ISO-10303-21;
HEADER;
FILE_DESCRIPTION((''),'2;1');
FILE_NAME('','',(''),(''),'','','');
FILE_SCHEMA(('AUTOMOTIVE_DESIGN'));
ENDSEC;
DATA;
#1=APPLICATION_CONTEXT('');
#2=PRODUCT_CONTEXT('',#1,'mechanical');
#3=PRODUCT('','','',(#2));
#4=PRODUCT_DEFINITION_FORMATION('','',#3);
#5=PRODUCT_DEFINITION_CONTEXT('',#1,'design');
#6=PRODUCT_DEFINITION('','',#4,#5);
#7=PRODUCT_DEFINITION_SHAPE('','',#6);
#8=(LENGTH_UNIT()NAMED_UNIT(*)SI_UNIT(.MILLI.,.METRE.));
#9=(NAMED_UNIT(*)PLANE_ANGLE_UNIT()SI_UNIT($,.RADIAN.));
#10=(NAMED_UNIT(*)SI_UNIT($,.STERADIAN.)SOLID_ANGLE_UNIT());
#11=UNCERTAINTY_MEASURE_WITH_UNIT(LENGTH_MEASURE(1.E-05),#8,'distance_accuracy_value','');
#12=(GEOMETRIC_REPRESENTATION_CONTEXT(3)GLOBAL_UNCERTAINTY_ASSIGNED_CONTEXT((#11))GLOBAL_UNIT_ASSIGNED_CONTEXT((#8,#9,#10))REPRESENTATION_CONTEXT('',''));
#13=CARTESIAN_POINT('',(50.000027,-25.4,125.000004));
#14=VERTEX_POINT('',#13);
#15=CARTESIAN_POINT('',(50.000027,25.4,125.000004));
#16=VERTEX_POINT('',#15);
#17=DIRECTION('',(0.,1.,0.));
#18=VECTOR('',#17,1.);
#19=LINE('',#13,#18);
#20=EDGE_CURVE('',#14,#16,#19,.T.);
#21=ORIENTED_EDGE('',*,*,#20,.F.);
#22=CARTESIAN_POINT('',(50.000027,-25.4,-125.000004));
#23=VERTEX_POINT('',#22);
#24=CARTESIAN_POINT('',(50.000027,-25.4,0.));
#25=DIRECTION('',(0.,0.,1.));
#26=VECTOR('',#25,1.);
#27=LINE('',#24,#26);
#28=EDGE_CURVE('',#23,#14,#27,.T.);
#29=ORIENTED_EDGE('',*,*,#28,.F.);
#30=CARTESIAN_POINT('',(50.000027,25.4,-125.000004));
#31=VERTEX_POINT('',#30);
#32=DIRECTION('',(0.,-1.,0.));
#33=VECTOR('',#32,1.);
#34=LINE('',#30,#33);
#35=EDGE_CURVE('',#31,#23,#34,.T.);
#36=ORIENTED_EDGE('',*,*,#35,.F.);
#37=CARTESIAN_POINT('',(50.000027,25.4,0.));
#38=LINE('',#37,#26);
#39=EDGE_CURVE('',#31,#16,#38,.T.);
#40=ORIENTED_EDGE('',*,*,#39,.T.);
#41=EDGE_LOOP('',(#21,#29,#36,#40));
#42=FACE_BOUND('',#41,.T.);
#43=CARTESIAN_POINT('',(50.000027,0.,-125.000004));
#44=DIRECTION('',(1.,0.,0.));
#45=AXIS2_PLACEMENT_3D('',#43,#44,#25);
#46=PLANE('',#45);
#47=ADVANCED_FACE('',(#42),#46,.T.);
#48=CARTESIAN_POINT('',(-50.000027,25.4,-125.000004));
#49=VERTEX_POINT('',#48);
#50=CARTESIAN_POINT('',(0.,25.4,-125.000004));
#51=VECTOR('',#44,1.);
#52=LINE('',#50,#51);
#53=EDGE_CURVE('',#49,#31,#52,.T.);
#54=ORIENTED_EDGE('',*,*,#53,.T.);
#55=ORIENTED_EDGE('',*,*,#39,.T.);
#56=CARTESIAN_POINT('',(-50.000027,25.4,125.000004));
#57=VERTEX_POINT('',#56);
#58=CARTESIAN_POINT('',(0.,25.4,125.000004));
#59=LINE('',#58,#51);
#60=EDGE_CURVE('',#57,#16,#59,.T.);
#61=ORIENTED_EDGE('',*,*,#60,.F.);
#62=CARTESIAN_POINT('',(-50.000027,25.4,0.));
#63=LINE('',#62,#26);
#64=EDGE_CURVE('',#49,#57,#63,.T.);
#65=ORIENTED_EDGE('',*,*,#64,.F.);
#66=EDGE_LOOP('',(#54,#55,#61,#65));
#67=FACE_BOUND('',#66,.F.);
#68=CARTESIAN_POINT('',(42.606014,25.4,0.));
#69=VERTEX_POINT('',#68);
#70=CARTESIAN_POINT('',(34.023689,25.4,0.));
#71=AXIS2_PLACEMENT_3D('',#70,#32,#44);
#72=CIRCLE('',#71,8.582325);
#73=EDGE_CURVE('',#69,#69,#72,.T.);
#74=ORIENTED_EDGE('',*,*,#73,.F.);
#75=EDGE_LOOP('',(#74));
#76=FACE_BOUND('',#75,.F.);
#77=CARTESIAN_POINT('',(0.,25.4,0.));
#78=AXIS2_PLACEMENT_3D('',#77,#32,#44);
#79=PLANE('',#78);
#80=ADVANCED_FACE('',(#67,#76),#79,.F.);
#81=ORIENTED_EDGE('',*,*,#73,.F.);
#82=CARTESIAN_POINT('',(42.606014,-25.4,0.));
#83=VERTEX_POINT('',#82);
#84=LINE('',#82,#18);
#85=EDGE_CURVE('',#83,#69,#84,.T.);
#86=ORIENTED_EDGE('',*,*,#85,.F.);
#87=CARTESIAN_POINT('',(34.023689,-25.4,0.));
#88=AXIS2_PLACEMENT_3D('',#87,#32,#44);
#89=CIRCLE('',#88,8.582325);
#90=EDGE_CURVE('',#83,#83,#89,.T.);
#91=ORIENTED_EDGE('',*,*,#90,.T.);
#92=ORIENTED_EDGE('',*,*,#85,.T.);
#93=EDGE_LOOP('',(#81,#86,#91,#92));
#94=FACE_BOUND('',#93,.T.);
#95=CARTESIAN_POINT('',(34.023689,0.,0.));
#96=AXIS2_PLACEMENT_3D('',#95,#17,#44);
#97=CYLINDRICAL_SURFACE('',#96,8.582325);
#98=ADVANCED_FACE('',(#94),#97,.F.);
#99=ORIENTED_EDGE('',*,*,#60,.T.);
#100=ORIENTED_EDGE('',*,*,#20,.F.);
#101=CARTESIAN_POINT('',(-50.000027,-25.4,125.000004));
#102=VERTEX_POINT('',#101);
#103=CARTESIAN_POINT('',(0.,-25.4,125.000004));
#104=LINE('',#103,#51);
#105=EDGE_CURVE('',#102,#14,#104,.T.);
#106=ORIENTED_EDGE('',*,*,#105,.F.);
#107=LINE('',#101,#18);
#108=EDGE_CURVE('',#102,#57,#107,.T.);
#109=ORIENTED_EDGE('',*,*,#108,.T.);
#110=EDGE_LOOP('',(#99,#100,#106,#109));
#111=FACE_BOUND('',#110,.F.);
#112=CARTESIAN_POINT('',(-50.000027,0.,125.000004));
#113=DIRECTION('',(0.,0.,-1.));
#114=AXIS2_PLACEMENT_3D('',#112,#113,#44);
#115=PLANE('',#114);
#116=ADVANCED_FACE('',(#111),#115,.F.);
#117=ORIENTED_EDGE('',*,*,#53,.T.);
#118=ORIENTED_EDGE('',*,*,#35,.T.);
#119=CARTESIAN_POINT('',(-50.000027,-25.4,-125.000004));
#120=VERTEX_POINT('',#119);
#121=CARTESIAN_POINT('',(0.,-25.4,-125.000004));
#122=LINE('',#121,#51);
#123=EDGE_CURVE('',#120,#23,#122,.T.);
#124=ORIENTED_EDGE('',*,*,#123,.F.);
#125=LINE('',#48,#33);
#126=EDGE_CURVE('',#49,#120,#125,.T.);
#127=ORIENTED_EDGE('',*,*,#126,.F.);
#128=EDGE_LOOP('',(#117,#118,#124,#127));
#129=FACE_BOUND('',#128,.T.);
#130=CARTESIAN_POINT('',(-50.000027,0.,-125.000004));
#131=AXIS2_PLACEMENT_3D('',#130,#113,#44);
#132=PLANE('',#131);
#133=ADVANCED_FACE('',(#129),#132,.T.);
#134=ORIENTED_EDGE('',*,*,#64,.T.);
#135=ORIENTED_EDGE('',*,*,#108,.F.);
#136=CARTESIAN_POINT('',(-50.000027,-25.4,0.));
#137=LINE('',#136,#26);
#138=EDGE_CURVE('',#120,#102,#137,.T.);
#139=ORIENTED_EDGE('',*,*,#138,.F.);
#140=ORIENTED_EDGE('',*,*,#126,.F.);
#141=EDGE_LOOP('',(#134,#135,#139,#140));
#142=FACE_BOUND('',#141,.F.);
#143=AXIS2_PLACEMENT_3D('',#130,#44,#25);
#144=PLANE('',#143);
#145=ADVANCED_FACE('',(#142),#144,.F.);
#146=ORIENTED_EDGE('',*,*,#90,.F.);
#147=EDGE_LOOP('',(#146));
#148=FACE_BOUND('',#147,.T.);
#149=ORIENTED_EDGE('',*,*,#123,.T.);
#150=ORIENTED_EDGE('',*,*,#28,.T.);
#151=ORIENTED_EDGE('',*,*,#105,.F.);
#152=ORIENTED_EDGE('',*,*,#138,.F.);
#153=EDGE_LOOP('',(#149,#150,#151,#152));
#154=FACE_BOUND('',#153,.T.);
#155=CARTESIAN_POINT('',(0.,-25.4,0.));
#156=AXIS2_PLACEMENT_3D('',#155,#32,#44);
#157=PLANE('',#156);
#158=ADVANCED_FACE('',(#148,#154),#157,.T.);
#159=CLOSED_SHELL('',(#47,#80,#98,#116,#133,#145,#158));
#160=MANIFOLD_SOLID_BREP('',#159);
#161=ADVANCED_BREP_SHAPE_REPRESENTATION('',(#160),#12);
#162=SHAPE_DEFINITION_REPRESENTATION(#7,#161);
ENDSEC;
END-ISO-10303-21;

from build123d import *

# Parameters (mm, degrees)
F0_W     = 100.000054
F0_H     = 250.000008
F0_R     = 8.582325
F1_DEPTH = 25.4


with BuildPart() as f1:
    # F0 (on Front) → F1 (new body, symmetric)
    with BuildSketch(Plane.XZ):
        Rectangle(F0_W, F0_H)
        with Locations((34.023689, 0)):
            Circle(F0_R, mode=Mode.SUBTRACT)
    extrude(amount=F1_DEPTH, both=True)


solid = f1.part
